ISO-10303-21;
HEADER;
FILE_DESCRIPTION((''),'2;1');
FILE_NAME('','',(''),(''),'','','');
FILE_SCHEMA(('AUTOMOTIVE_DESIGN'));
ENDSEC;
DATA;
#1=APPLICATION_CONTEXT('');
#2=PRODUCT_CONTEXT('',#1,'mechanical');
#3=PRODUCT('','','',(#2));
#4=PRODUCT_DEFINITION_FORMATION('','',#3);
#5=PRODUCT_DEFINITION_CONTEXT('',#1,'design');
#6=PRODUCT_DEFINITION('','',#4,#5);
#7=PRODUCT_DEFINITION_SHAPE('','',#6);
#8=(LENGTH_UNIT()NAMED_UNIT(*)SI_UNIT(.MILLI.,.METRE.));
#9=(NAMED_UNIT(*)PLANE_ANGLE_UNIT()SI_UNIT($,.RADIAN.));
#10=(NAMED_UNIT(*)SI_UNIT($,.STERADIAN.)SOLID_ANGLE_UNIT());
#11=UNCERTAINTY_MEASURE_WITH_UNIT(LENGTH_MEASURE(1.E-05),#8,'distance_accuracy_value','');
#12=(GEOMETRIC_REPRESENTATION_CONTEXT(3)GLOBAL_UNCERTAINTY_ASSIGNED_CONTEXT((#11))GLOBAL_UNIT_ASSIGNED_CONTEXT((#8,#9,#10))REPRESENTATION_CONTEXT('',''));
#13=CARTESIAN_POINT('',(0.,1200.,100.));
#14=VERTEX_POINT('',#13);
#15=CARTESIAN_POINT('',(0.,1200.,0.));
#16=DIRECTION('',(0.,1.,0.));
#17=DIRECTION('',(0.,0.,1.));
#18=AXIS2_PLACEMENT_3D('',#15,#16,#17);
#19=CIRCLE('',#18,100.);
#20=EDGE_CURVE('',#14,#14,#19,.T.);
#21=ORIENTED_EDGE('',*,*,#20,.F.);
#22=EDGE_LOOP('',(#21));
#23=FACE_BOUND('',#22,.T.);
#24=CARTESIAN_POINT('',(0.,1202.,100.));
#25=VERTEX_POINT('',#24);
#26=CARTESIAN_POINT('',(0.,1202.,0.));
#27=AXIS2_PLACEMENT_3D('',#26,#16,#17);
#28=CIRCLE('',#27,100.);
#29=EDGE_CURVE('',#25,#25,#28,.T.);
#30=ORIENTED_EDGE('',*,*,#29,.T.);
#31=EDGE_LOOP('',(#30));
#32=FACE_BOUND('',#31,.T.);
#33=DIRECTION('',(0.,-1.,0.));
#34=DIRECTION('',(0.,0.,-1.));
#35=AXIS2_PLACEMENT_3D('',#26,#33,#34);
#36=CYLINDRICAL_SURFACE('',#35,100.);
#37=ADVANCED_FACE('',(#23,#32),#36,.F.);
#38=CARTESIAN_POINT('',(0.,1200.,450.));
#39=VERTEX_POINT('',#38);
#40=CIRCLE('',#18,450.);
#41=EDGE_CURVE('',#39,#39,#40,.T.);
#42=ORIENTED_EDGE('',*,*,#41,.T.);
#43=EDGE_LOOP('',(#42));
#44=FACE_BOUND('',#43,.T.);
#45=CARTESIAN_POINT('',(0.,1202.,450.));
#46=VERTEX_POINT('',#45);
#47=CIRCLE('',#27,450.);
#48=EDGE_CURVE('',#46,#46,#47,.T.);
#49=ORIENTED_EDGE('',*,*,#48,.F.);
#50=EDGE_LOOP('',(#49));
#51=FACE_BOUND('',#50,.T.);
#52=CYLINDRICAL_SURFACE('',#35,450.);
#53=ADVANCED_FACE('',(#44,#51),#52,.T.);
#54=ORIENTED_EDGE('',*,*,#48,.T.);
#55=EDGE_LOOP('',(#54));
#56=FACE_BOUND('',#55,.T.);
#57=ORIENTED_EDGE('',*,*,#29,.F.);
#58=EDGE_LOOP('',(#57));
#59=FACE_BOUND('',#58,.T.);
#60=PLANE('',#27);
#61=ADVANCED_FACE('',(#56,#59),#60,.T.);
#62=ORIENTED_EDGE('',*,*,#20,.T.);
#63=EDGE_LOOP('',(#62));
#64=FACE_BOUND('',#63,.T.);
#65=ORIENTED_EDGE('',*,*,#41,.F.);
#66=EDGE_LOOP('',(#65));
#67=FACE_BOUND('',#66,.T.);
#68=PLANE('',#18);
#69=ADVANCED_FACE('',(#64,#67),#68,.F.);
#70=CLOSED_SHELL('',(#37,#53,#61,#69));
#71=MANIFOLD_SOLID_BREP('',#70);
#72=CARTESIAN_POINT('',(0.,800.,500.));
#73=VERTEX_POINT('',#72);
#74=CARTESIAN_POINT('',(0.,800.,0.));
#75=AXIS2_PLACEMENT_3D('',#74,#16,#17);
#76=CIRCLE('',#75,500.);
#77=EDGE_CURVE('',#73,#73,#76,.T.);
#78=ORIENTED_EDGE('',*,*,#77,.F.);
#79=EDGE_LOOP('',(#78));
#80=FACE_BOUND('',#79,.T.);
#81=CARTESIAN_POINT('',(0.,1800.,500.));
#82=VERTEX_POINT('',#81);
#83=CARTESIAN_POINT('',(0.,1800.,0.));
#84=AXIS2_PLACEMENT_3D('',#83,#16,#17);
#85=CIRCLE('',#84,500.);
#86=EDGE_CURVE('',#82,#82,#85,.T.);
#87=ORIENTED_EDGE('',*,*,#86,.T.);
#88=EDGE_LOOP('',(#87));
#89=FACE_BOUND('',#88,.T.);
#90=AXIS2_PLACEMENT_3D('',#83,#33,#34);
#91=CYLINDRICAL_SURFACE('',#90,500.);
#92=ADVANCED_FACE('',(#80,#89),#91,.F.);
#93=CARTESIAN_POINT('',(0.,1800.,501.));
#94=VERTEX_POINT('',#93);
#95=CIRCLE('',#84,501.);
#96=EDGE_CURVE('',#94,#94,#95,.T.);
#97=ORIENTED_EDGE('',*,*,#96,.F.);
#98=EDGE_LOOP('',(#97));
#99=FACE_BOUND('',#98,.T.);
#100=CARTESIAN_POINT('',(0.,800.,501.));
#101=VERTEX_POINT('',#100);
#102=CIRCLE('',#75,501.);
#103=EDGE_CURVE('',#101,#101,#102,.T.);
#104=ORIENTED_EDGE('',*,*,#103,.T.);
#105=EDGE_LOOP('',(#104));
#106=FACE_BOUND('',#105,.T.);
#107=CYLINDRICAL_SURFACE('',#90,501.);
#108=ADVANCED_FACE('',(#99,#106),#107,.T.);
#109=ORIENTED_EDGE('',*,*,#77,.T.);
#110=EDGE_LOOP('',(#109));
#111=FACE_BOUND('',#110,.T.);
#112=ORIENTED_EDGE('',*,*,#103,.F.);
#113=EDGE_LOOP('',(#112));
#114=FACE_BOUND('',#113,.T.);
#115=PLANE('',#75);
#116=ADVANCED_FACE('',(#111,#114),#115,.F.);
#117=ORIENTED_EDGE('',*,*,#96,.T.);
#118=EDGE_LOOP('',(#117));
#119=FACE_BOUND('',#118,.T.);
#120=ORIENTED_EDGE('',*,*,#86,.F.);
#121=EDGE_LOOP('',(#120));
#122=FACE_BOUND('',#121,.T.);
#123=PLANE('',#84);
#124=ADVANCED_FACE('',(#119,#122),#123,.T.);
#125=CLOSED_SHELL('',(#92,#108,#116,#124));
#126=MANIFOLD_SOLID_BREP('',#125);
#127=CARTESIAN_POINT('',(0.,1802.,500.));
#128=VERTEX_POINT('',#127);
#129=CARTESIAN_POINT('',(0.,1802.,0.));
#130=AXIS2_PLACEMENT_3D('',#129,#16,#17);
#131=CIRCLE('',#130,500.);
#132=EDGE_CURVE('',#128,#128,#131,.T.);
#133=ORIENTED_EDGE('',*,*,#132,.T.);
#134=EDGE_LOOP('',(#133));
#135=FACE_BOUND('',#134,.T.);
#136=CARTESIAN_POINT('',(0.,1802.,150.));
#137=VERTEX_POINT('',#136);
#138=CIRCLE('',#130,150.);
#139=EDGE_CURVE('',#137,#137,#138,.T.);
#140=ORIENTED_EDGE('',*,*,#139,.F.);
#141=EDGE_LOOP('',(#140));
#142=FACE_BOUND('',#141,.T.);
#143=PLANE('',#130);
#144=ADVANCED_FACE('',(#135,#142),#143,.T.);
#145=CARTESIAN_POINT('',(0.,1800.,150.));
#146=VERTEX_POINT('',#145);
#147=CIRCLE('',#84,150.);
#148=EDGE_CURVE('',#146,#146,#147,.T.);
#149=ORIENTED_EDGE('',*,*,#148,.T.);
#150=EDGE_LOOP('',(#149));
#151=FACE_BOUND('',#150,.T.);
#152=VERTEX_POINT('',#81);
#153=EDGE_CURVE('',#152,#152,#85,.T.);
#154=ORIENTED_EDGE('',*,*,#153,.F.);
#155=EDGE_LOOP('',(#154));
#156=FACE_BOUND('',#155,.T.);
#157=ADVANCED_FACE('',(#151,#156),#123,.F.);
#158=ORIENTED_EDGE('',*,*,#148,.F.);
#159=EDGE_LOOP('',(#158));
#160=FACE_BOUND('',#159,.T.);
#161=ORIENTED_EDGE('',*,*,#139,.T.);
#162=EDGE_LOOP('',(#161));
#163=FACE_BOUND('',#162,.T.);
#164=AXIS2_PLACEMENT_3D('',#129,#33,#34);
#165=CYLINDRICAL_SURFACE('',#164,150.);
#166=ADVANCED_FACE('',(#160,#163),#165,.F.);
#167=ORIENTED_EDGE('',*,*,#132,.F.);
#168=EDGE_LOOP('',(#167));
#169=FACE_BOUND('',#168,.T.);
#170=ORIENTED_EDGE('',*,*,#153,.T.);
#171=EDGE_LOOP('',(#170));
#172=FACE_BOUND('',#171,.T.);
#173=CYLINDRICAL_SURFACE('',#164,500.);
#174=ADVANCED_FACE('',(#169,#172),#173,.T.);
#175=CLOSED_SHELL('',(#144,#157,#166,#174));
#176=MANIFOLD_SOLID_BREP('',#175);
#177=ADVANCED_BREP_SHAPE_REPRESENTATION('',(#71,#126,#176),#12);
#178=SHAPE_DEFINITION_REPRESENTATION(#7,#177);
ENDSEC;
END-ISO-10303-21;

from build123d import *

# Parameters (mm, degrees)
SKETCH1_R           = 501
SKETCH1_R_2         = 500
BOSS_EXTRUDE1_DEPTH = 1000
SKETCH2_R           = 500
SKETCH2_R_2         = 150
BOSS_EXTRUDE2_DEPTH = 2
SKETCH3_R           = 450
SKETCH3_R_2         = 100
BOSS_EXTRUDE3_DEPTH = 2


with BuildPart() as part:
    # Sketch1 → Boss-Extrude1 (new body)
    with BuildSketch(Plane(origin=(0, 800, 0), x_dir=(1, 0, 0), z_dir=(0, 1, 0))):
        with Locations(Location((0, 0, 0), (0, 0, 270))):
            Circle(SKETCH1_R)
        with Locations(Location((0, 0, 0), (0, 0, 270))):
            Circle(SKETCH1_R_2, mode=Mode.SUBTRACT)
    extrude(amount=BOSS_EXTRUDE1_DEPTH)


with BuildPart() as body_2:
    # Sketch2 → Boss-Extrude2 (new body)
    with BuildSketch(Plane(origin=(0, 1800, 0), x_dir=(1, 0, 0), z_dir=(0, 1, 0))):
        with Locations(Location((0, 0, 0), (0, 0, 270))):
            Circle(SKETCH2_R)
        with Locations(Location((0, 0, 0), (0, 0, 270))):
            Circle(SKETCH2_R_2, mode=Mode.SUBTRACT)
    extrude(amount=BOSS_EXTRUDE2_DEPTH)


with BuildPart() as body_3:
    # Sketch3 → Boss-Extrude3 (new body)
    with BuildSketch(Plane(origin=(0, 1200, 0), x_dir=(1, 0, 0), z_dir=(0, 1, 0))):
        with Locations(Location((0, 0, 0), (0, 0, 270))):
            Circle(SKETCH3_R)
        with Locations(Location((0, 0, 0), (0, 0, 270))):
            Circle(SKETCH3_R_2, mode=Mode.SUBTRACT)
    extrude(amount=BOSS_EXTRUDE3_DEPTH)


solid = Compound([part.part, body_2.part, body_3.part])
